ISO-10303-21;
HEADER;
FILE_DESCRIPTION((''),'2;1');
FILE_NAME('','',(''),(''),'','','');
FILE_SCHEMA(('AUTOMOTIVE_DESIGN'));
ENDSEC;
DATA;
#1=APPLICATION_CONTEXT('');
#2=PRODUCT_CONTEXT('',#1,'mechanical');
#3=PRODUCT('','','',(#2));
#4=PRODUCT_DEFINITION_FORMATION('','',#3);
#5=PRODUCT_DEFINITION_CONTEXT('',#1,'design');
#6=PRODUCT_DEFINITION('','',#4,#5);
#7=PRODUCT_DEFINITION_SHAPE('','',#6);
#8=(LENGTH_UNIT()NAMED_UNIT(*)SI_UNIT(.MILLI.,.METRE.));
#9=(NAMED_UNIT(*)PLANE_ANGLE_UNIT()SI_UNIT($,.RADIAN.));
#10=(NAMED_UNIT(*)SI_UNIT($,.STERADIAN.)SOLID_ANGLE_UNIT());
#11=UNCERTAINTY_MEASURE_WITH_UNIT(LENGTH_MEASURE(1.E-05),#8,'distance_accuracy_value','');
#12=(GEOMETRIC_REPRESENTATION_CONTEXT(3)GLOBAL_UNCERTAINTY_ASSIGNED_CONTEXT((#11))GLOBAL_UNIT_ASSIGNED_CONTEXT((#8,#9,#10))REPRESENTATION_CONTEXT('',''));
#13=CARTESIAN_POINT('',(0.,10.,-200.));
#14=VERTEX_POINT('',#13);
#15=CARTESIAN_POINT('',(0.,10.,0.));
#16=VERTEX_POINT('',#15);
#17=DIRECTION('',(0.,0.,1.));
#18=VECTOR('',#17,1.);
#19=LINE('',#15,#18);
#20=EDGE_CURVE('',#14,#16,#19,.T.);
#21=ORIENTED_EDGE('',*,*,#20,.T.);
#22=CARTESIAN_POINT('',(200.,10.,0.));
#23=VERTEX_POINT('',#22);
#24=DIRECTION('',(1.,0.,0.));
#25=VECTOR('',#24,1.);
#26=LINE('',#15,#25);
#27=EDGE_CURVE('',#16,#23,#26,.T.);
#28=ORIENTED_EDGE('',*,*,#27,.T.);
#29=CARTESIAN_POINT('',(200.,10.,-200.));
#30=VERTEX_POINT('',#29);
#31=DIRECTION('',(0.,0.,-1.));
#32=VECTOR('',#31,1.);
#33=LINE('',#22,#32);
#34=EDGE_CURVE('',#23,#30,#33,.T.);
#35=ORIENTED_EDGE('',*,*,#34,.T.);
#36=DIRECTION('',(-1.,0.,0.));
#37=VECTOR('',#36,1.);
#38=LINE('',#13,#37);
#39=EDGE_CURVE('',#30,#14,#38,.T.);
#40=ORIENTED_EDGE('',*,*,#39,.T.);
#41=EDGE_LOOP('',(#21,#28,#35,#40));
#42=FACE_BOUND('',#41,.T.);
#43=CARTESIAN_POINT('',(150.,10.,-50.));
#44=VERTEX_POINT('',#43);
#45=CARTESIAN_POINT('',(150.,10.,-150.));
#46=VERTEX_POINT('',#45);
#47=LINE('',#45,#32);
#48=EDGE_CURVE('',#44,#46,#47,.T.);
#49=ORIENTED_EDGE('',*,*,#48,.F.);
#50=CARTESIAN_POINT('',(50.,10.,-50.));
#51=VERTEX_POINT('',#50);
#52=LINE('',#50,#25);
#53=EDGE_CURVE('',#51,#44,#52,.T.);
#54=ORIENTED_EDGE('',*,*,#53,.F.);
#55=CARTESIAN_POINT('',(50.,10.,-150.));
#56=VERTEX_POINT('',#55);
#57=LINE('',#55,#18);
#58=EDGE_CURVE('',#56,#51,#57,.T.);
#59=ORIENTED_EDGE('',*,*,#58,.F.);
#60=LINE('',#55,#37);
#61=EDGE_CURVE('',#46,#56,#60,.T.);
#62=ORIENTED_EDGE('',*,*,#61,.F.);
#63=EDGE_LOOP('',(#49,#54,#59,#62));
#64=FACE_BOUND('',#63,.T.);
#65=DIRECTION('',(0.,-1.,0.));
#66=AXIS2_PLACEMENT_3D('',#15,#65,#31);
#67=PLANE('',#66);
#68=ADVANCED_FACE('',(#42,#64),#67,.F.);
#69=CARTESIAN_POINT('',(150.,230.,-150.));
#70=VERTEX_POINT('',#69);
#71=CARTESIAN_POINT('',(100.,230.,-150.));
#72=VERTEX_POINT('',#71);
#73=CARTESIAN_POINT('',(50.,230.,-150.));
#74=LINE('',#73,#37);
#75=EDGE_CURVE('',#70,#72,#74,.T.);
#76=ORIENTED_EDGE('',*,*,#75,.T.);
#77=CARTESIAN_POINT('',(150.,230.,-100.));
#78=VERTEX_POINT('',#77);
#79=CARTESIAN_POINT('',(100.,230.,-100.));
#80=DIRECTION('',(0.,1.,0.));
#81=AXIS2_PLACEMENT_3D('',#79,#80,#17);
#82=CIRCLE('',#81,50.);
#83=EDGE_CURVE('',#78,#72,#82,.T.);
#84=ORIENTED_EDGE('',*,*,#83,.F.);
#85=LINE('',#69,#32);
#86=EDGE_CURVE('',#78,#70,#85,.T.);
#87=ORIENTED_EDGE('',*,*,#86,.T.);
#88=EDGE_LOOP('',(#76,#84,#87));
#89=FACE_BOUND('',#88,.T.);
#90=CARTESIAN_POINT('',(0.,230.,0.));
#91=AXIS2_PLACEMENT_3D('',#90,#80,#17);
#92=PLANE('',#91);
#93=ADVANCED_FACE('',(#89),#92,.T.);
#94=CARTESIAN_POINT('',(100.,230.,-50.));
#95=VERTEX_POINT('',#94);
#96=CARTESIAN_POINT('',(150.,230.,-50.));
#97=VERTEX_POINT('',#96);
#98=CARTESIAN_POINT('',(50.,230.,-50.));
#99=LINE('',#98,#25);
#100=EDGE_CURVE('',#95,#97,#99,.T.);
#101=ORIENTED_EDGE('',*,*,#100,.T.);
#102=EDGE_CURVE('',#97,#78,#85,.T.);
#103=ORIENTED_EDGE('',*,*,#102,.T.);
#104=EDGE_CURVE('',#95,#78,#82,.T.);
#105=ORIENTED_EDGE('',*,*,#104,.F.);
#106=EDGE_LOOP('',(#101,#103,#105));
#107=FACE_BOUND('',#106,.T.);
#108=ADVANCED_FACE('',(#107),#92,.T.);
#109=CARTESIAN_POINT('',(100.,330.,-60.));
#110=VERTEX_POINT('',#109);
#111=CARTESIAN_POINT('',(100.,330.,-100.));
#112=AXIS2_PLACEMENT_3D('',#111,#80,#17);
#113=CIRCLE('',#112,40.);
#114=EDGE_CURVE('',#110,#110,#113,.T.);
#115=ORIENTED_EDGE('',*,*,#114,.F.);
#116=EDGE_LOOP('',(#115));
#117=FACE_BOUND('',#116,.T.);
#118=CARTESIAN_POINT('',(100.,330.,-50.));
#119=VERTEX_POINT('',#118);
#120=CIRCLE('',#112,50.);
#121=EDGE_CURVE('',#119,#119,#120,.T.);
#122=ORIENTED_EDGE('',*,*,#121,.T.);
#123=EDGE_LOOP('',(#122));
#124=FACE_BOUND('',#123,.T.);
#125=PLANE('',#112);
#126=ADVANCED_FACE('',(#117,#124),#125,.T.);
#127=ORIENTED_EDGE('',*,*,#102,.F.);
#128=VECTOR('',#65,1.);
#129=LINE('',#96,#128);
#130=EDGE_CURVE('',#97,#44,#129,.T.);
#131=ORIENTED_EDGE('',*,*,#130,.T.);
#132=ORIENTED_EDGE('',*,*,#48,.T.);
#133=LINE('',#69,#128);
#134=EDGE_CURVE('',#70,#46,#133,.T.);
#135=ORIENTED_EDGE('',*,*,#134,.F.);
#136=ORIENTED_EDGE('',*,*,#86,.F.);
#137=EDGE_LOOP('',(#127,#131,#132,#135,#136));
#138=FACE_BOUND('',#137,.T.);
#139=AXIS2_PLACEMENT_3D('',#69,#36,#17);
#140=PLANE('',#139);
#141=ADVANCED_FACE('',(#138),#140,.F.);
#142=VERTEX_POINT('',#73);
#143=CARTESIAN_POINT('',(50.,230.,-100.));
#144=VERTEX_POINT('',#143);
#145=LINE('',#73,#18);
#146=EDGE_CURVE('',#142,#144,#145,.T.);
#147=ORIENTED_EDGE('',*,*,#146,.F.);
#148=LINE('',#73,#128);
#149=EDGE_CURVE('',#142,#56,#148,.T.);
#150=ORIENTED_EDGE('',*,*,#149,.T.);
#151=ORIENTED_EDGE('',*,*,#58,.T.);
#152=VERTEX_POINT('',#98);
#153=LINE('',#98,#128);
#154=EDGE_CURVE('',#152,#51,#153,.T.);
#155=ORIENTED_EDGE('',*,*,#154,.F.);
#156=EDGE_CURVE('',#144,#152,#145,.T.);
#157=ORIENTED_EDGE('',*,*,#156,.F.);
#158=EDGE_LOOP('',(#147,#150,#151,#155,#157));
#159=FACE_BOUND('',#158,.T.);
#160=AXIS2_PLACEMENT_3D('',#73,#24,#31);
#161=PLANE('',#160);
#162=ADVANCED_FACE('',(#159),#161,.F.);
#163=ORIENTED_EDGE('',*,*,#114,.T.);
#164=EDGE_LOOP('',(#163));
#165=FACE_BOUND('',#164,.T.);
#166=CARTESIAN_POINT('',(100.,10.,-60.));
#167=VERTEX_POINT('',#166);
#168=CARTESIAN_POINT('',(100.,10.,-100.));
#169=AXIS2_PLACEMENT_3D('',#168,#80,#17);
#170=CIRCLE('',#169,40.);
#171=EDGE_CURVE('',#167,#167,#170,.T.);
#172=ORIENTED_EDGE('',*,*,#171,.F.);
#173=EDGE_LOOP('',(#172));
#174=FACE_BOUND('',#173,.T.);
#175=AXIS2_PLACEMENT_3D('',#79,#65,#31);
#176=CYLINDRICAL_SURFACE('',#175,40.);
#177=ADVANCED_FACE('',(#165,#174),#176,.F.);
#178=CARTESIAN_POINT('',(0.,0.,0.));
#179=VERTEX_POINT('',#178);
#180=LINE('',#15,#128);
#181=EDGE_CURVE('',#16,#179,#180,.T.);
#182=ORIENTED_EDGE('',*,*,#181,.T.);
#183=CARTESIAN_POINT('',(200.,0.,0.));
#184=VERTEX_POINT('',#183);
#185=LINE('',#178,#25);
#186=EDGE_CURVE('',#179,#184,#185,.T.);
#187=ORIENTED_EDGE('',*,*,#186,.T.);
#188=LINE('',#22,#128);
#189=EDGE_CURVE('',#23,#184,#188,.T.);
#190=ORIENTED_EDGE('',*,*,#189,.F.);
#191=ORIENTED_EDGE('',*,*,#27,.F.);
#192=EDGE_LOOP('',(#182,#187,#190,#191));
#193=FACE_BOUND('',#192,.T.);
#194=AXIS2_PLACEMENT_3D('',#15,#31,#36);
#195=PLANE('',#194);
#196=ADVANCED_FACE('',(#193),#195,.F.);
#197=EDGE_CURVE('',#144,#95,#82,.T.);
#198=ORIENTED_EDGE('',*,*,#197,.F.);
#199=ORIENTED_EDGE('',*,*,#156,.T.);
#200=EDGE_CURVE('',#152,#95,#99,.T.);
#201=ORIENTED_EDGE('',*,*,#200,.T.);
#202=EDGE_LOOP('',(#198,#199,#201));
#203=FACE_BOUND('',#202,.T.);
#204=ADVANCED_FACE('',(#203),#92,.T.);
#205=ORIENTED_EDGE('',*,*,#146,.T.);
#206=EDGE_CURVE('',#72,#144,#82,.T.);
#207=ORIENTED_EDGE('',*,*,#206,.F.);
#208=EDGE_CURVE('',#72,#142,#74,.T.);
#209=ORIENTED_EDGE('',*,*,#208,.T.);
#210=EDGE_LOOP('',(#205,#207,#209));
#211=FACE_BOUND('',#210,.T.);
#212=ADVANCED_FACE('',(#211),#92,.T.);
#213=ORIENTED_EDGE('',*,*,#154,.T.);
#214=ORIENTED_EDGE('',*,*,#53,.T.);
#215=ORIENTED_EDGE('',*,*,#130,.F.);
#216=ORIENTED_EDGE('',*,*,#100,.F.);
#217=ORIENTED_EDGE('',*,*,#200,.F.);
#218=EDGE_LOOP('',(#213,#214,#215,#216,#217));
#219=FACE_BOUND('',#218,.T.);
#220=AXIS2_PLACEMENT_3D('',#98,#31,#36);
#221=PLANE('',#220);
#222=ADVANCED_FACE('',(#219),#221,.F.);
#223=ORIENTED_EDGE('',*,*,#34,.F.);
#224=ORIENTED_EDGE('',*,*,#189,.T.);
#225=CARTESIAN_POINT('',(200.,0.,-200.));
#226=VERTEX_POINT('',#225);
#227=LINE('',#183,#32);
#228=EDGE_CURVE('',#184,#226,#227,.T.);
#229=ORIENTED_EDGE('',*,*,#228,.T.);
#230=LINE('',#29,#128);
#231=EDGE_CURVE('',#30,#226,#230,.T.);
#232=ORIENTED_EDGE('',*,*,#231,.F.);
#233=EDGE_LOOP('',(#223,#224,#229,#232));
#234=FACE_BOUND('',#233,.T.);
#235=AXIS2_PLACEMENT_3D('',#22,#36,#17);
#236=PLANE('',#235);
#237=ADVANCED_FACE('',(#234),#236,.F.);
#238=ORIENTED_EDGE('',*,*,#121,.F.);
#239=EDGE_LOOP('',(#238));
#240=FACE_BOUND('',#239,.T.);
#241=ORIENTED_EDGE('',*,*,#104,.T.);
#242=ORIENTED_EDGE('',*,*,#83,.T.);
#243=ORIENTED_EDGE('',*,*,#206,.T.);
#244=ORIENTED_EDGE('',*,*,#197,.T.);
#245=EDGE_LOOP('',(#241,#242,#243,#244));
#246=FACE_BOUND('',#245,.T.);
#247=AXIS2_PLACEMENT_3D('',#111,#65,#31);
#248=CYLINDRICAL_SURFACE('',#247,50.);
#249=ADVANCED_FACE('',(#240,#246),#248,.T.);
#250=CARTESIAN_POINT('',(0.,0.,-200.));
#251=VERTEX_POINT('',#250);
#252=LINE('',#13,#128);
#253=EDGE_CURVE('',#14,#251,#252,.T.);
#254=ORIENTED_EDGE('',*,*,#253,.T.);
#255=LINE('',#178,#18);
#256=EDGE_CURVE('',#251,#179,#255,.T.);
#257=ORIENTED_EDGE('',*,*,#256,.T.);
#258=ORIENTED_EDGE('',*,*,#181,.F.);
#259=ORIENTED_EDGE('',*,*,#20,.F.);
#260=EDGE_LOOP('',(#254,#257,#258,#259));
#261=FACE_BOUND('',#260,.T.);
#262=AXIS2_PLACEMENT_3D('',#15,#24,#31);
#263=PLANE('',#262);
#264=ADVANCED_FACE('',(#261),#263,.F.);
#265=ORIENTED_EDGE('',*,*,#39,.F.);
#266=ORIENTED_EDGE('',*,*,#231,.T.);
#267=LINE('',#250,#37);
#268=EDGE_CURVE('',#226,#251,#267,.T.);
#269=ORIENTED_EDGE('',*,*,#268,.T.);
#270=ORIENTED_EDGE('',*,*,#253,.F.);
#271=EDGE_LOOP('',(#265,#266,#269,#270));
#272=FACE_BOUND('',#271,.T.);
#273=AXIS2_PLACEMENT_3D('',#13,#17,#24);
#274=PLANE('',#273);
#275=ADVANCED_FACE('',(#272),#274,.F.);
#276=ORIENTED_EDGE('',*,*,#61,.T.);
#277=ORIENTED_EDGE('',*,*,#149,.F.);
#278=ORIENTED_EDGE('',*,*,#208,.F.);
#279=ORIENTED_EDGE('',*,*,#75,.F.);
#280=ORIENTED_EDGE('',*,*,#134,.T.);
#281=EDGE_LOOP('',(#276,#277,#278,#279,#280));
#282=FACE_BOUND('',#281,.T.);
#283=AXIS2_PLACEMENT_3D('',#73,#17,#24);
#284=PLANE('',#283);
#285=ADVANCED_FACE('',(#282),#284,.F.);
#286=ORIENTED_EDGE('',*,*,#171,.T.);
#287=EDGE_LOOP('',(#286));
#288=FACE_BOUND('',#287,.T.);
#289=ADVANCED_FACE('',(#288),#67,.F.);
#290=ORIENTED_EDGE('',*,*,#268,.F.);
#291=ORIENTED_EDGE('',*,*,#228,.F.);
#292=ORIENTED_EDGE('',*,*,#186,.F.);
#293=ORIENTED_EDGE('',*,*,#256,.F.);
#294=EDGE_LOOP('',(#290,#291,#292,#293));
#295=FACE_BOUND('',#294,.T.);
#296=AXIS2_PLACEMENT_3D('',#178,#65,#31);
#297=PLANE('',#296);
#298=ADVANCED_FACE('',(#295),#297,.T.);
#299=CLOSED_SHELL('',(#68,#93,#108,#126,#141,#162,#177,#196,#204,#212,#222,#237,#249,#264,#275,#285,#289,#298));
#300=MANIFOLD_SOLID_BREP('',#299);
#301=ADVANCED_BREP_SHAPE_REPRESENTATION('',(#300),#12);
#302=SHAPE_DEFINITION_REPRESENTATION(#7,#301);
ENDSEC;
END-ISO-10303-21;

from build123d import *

# Parameters (mm, degrees)
SKETCH1_W           = 200
SKETCH1_H           = 200
BOSS_EXTRUDE1_DEPTH = 10
SKETCH2_W           = 100
SKETCH2_H           = 100
SKETCH2_R           = 40
BOSS_EXTRUDE2_DEPTH = 220
SKETCH3_R           = 50
SKETCH3_R_2         = 40
BOSS_EXTRUDE3_DEPTH = 100


with BuildPart() as part:
    # Sketch1 → Boss-Extrude1 (new body)
    with BuildSketch(Plane(origin=(0, 0, 0), x_dir=(1, 0, 0), z_dir=(0, 1, 0))):
        with Locations((100, 100)):
            Rectangle(SKETCH1_W, SKETCH1_H)
    extrude(amount=BOSS_EXTRUDE1_DEPTH)

    # Sketch2 → Boss-Extrude2 (add)
    with BuildSketch(Plane(origin=(0, 10, 0), x_dir=(1, 0, 0), z_dir=(0, 1, 0))):
        with Locations((100, 100)):
            Rectangle(SKETCH2_W, SKETCH2_H)
        with Locations(Location((100, 100, 0), (0, 0, 270))):
            Circle(SKETCH2_R, mode=Mode.SUBTRACT)
    extrude(amount=BOSS_EXTRUDE2_DEPTH)

    # Sketch3 → Boss-Extrude3 (add)
    with BuildSketch(Plane(origin=(0, 230, 0), x_dir=(1, 0, 0), z_dir=(0, 1, 0))):
        with Locations(Location((100, 100, 0), (0, 0, 270))):
            Circle(SKETCH3_R)
        with Locations(Location((100, 100, 0), (0, 0, 270))):
            Circle(SKETCH3_R_2, mode=Mode.SUBTRACT)
    extrude(amount=BOSS_EXTRUDE3_DEPTH)


solid = part.part
